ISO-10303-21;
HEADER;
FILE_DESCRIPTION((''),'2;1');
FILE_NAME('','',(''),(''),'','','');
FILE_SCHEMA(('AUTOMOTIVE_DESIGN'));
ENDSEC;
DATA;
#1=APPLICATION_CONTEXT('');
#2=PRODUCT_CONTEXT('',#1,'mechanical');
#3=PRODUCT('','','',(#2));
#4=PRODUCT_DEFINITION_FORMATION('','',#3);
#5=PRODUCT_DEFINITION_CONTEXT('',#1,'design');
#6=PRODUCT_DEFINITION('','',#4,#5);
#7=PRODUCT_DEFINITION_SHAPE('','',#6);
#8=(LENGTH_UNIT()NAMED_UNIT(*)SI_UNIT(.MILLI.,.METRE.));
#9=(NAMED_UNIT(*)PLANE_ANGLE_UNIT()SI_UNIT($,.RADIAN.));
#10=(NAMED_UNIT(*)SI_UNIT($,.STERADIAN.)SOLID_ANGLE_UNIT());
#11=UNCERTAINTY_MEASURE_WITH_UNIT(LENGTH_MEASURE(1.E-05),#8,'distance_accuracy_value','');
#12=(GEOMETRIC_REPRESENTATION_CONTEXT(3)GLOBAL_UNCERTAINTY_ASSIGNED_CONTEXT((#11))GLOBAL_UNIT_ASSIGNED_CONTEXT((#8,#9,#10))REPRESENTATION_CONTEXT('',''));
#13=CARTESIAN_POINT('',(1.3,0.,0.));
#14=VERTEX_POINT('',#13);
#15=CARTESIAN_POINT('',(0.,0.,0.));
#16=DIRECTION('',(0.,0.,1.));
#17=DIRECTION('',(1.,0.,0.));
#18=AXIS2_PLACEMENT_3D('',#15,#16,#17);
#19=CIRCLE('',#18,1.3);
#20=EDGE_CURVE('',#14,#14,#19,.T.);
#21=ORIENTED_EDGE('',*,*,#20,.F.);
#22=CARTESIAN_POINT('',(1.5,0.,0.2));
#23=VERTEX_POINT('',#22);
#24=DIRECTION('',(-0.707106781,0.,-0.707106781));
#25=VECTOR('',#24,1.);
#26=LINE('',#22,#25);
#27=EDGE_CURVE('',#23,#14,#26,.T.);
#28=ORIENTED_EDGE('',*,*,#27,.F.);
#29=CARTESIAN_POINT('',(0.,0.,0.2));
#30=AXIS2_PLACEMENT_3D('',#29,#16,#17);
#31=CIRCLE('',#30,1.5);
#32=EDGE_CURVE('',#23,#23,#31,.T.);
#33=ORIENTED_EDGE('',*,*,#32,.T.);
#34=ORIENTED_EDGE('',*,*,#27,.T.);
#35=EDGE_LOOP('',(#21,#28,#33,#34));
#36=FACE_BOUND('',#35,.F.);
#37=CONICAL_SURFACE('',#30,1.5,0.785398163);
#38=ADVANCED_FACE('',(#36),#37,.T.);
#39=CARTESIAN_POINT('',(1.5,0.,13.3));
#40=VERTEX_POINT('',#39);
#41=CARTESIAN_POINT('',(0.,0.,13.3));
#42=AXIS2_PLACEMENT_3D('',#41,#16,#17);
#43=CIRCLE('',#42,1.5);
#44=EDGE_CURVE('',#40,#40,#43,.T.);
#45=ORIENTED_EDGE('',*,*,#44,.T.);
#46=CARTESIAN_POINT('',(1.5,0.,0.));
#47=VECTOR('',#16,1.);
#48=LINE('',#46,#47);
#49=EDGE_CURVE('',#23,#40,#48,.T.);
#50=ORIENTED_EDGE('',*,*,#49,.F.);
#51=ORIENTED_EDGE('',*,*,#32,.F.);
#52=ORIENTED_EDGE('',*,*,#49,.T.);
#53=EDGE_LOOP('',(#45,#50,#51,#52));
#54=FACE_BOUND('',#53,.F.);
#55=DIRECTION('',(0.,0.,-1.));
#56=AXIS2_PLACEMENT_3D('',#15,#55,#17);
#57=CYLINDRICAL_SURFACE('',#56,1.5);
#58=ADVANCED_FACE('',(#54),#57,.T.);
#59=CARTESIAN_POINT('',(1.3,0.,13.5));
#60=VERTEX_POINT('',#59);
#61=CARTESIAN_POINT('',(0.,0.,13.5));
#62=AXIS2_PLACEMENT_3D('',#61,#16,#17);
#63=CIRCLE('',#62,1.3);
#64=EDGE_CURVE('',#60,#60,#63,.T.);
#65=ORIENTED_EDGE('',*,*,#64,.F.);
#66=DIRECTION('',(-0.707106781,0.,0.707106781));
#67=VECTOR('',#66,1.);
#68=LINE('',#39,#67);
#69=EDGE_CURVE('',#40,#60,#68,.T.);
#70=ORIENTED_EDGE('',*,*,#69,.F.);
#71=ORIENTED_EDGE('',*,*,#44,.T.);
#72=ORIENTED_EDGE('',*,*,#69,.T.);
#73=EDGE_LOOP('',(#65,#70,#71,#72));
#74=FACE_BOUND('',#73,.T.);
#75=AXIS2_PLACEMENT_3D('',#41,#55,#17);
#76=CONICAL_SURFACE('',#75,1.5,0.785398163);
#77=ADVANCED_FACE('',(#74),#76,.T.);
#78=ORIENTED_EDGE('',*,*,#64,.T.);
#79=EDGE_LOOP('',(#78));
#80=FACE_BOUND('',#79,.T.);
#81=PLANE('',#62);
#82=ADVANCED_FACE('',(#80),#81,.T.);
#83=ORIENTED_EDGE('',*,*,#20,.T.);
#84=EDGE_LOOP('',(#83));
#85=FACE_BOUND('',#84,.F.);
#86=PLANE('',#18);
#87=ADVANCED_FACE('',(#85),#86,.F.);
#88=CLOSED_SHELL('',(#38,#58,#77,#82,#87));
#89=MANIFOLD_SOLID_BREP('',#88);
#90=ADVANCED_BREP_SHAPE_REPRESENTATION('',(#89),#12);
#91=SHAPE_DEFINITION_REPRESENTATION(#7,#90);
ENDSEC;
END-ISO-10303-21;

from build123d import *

# Parameters (mm, degrees)
SKETCH1_R           = 1.5
BOSS_EXTRUDE1_DEPTH = 13.5
CHAMFER1_SIZE       = 0.2


with BuildPart() as part:
    # Sketch1 → Boss-Extrude1 (new body)
    with BuildSketch(Plane.XY):
        Circle(SKETCH1_R)
    extrude(amount=BOSS_EXTRUDE1_DEPTH)

    # Chamfer1
    chamfer1_edges = [part.edges().sort_by_distance(p)[0] for p in [
        (-1.5, 0, 0),
        (-1.5, 0, 13.5),
    ]]
    chamfer(chamfer1_edges, length=CHAMFER1_SIZE)


solid = part.part
